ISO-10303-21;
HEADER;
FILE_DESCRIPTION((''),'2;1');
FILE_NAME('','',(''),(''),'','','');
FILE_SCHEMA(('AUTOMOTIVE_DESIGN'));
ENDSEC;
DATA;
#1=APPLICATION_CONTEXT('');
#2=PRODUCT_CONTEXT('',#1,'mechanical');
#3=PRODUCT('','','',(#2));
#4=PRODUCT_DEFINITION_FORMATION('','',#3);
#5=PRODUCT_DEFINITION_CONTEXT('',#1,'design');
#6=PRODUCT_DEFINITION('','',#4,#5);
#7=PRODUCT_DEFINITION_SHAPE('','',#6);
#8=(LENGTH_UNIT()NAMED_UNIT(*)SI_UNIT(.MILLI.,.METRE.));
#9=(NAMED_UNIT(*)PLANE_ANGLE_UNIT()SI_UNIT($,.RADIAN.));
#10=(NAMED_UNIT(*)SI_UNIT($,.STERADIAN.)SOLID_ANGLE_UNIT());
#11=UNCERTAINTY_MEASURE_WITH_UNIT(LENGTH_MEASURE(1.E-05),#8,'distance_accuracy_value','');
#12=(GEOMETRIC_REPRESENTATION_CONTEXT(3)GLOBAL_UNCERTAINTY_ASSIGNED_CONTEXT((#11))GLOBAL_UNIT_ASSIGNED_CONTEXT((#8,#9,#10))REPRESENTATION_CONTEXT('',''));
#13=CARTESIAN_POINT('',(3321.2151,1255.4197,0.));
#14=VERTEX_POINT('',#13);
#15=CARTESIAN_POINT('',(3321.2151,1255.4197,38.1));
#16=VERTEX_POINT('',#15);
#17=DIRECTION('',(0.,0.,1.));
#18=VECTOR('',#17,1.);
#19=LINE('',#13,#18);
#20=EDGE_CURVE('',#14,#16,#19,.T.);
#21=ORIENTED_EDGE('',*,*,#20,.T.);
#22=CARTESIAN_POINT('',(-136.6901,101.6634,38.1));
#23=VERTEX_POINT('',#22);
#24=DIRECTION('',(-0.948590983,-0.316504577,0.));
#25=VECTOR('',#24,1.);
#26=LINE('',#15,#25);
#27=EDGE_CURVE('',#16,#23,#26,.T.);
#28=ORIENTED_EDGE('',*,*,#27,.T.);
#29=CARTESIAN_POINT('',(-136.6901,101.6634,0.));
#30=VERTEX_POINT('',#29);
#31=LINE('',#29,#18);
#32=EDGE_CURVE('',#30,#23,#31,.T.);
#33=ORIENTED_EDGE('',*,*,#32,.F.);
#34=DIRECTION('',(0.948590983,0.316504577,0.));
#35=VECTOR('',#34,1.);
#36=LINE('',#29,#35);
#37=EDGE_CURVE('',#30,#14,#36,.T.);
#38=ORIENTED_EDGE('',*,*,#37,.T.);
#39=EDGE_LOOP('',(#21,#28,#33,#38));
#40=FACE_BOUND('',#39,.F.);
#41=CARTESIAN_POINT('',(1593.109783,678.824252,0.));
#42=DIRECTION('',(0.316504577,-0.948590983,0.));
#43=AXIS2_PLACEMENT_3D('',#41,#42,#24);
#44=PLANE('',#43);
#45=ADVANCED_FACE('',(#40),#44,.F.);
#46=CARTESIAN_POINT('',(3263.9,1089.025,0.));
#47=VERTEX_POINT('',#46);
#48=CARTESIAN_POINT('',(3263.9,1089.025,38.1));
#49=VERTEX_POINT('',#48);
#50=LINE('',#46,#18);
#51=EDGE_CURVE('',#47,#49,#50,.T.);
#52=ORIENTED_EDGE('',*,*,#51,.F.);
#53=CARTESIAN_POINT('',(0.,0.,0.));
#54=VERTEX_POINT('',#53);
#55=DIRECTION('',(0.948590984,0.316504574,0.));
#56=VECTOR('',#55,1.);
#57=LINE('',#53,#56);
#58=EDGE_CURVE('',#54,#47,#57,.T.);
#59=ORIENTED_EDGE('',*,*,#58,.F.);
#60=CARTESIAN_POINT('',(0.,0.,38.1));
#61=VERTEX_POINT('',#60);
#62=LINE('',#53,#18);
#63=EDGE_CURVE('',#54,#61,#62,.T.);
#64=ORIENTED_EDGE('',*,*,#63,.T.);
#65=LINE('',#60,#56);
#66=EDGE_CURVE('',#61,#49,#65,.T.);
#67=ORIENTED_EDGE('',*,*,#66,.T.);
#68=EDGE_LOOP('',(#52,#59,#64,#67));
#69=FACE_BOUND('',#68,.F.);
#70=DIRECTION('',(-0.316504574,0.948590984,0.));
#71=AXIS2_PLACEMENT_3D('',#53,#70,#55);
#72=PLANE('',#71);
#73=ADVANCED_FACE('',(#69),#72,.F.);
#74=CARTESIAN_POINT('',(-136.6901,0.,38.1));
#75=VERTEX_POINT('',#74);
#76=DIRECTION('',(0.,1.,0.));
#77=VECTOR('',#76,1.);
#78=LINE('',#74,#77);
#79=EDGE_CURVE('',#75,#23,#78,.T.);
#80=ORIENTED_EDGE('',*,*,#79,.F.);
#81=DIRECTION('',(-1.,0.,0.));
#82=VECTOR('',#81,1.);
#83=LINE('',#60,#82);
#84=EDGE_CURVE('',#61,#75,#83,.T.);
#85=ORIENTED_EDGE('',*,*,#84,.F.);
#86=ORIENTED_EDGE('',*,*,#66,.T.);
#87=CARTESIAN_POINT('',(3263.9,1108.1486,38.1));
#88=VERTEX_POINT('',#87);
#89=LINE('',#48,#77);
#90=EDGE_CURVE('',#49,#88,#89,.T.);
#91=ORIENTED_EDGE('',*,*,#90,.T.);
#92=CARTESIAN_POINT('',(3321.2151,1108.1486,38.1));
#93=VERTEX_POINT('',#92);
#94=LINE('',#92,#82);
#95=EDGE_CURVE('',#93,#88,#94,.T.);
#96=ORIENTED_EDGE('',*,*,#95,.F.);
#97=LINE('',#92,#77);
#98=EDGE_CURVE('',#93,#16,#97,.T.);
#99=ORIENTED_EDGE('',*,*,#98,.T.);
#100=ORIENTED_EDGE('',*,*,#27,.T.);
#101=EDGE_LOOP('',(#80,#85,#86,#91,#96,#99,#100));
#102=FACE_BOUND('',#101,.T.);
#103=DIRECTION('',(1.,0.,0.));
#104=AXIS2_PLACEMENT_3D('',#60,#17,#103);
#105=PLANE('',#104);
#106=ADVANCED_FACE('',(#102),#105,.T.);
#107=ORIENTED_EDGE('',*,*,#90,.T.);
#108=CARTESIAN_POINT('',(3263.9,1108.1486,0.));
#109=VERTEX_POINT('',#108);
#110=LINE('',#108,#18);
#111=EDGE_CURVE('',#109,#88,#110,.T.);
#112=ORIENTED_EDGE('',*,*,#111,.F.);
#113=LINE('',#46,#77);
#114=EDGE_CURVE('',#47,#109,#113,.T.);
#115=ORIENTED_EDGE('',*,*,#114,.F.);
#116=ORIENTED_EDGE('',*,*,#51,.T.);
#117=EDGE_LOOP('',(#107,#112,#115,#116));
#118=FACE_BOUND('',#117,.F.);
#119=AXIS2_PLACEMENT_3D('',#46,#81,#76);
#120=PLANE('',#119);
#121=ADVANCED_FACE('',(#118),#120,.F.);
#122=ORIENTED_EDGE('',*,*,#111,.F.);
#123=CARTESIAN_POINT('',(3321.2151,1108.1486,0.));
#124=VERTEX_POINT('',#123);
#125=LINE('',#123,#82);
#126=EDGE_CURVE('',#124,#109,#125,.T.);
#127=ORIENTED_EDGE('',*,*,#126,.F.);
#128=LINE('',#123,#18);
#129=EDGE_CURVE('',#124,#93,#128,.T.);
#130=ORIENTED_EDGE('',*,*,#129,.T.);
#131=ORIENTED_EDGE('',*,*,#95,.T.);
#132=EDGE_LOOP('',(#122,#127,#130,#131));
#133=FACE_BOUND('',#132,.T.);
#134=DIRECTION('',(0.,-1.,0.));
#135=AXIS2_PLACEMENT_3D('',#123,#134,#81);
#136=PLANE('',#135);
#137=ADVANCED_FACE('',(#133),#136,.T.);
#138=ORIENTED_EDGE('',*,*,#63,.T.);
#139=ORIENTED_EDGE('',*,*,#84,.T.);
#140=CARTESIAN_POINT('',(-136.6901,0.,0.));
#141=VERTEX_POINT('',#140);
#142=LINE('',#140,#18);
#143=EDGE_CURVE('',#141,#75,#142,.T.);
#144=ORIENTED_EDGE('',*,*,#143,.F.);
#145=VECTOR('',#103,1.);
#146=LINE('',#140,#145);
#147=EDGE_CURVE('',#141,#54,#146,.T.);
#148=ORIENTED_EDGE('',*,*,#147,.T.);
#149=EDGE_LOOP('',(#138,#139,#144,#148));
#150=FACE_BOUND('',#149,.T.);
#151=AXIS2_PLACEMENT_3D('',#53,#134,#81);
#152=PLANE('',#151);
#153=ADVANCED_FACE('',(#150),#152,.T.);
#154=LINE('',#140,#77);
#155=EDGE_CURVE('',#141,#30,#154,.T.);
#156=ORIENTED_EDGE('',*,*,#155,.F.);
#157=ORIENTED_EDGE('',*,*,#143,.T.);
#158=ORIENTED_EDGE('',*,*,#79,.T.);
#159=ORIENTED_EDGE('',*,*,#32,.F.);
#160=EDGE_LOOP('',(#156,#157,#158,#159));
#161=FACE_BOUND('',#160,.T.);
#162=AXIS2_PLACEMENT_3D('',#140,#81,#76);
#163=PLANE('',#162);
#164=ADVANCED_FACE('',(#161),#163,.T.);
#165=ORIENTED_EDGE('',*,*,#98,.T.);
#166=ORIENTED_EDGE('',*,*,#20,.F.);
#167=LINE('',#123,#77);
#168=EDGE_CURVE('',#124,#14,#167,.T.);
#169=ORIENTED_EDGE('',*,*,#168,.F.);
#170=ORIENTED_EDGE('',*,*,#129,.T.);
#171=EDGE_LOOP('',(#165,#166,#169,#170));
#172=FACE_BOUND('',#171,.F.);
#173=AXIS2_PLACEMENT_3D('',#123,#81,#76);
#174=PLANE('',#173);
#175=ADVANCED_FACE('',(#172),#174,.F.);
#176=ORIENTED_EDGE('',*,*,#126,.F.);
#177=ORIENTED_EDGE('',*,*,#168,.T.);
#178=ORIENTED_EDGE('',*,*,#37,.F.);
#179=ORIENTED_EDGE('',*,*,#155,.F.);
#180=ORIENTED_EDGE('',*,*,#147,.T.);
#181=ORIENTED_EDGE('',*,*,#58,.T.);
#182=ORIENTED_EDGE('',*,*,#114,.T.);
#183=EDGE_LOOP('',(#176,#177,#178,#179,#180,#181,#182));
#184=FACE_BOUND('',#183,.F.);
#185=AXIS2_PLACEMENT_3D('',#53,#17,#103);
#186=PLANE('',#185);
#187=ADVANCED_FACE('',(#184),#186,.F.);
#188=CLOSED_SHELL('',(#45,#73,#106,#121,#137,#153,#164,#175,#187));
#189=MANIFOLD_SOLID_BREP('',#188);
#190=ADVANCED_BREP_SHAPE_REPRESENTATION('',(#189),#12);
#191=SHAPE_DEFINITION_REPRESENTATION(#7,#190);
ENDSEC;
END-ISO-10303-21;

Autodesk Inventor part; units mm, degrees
ref_plane "YZ Plane" through (0, 0, 0) normal (1, 0, 0) x (0, 1, 0)
ref_plane "XZ Plane" through (0, 0, 0) normal (0, 1, 0) x (-1, 0, 0)
sketch "Sketch1" plane through (0, 0, 0) normal (0, 0, 1) x (1, 0, 0)
  line L0 (0, 0) -> (3321.2151, 1108.1486)
  line L1 (3321.2151, 1255.4197) -> (-136.6901, 101.6634)
  line L2 (0, 0) -> (-136.6901, 0)
  line L3 (-136.6901, 0) -> (-136.6901, 101.6634)
  line L4 (-136.6901, 101.6634) -> (1593.1098, 678.8242)
  line L5 (3321.2151, 1108.1486) -> (3263.9, 1108.1486)
  line L6 (3321.2151, 1108.1486) -> (3321.2151, 1255.4197)
  line L7 (-88.9, 0) -> (-88.9, 117.6089)
  line L8 (3263.9, 1089.025) -> (3263.9, 1236.2961)
  line L9 (-136.6901, 101.6634) -> (-102.7693, 0)
  line L10 (-102.7693, 0) -> (24.0942, -380.2208)
  dimension "d5" = 139.7
  dimension "d17" = 88.9
  dimension "d19" = 3352.8
  dimension "d23" = 57.3151
  dimension "d28" = 47.7901
  dimension "d33" = 1089.025
  dimension "d34" = 508
  dimension "d35" = 380.2208
extrude "Extrusion1" add sketch "Sketch1" along normal blind 38.1 contours L2 L7 L1 L8 L0 | L2 L9 L1 L7 | L5 L8 L1 L6 | L2 L3 L9
ref_plane "Work Plane1" through (-136.6901, 101.6634, 0) normal (-0.9486, -0.3165, 0) x (0.3165, -0.9486, 0)
properties part number "Rafter" material "Wood (Birch)"
